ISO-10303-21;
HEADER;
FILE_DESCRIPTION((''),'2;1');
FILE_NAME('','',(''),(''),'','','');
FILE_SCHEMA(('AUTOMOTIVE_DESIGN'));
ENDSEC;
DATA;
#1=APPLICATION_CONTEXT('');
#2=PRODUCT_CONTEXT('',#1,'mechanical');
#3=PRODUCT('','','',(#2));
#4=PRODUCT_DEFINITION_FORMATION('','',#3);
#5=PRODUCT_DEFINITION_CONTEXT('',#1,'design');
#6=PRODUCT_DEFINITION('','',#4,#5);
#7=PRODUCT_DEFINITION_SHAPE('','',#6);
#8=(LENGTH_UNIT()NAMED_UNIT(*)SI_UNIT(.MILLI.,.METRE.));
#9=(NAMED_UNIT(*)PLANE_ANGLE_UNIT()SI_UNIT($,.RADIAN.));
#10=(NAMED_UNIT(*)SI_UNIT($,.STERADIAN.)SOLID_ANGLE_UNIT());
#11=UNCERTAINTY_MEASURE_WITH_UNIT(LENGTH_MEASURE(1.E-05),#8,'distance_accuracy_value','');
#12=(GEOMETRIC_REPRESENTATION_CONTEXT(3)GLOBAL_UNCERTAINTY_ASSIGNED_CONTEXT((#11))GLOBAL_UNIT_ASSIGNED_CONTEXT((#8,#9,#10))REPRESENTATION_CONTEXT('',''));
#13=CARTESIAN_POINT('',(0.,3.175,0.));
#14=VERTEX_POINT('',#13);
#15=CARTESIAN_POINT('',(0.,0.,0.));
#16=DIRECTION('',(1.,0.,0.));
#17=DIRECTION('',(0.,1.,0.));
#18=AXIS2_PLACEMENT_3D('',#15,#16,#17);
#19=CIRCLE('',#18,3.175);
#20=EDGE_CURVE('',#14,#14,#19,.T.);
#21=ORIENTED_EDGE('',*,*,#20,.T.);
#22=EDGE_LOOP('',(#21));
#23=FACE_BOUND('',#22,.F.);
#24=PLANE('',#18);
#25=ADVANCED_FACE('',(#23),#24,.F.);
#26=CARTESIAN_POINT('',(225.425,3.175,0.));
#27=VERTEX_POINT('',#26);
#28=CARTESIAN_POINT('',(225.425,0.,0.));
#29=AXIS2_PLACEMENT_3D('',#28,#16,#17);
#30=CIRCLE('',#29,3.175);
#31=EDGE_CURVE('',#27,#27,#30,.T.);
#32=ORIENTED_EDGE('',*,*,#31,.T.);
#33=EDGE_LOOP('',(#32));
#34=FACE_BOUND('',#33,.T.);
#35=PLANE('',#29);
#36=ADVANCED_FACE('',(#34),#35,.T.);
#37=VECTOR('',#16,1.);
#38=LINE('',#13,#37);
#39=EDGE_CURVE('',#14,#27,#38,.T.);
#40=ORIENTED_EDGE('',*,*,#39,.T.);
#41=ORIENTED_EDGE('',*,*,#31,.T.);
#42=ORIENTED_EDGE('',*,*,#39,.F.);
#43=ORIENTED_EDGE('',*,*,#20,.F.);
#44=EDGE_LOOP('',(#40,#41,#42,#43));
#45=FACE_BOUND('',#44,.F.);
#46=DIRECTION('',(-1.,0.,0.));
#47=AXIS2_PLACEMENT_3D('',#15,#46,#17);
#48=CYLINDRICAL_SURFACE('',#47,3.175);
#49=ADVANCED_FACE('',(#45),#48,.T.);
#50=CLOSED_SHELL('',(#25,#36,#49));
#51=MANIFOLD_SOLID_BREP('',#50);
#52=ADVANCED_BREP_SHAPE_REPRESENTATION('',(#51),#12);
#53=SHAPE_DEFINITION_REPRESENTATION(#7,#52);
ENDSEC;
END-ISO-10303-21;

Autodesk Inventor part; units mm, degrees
ref_plane "YZ Plane" through (0, 0, 0) normal (1, 0, 0) x (0, 1, 0)
ref_plane "XZ Plane" through (0, 0, 0) normal (0, 1, 0) x (-1, 0, 0)
ref_plane "XY Plane" through (0, 0, 0) normal (0, 0, 1) x (1, 0, 0)
sketch "Sketch1" plane through (0, 0, 0) normal (1, 0, 0) x (0, 1, 0)
  circle A0 centre (0, 0) radius 3.175
  dimension "d0" = 6.35
extrude "Extrusion1" add sketch "Sketch1" along normal blind 225.425
properties part number "rotating rod"
